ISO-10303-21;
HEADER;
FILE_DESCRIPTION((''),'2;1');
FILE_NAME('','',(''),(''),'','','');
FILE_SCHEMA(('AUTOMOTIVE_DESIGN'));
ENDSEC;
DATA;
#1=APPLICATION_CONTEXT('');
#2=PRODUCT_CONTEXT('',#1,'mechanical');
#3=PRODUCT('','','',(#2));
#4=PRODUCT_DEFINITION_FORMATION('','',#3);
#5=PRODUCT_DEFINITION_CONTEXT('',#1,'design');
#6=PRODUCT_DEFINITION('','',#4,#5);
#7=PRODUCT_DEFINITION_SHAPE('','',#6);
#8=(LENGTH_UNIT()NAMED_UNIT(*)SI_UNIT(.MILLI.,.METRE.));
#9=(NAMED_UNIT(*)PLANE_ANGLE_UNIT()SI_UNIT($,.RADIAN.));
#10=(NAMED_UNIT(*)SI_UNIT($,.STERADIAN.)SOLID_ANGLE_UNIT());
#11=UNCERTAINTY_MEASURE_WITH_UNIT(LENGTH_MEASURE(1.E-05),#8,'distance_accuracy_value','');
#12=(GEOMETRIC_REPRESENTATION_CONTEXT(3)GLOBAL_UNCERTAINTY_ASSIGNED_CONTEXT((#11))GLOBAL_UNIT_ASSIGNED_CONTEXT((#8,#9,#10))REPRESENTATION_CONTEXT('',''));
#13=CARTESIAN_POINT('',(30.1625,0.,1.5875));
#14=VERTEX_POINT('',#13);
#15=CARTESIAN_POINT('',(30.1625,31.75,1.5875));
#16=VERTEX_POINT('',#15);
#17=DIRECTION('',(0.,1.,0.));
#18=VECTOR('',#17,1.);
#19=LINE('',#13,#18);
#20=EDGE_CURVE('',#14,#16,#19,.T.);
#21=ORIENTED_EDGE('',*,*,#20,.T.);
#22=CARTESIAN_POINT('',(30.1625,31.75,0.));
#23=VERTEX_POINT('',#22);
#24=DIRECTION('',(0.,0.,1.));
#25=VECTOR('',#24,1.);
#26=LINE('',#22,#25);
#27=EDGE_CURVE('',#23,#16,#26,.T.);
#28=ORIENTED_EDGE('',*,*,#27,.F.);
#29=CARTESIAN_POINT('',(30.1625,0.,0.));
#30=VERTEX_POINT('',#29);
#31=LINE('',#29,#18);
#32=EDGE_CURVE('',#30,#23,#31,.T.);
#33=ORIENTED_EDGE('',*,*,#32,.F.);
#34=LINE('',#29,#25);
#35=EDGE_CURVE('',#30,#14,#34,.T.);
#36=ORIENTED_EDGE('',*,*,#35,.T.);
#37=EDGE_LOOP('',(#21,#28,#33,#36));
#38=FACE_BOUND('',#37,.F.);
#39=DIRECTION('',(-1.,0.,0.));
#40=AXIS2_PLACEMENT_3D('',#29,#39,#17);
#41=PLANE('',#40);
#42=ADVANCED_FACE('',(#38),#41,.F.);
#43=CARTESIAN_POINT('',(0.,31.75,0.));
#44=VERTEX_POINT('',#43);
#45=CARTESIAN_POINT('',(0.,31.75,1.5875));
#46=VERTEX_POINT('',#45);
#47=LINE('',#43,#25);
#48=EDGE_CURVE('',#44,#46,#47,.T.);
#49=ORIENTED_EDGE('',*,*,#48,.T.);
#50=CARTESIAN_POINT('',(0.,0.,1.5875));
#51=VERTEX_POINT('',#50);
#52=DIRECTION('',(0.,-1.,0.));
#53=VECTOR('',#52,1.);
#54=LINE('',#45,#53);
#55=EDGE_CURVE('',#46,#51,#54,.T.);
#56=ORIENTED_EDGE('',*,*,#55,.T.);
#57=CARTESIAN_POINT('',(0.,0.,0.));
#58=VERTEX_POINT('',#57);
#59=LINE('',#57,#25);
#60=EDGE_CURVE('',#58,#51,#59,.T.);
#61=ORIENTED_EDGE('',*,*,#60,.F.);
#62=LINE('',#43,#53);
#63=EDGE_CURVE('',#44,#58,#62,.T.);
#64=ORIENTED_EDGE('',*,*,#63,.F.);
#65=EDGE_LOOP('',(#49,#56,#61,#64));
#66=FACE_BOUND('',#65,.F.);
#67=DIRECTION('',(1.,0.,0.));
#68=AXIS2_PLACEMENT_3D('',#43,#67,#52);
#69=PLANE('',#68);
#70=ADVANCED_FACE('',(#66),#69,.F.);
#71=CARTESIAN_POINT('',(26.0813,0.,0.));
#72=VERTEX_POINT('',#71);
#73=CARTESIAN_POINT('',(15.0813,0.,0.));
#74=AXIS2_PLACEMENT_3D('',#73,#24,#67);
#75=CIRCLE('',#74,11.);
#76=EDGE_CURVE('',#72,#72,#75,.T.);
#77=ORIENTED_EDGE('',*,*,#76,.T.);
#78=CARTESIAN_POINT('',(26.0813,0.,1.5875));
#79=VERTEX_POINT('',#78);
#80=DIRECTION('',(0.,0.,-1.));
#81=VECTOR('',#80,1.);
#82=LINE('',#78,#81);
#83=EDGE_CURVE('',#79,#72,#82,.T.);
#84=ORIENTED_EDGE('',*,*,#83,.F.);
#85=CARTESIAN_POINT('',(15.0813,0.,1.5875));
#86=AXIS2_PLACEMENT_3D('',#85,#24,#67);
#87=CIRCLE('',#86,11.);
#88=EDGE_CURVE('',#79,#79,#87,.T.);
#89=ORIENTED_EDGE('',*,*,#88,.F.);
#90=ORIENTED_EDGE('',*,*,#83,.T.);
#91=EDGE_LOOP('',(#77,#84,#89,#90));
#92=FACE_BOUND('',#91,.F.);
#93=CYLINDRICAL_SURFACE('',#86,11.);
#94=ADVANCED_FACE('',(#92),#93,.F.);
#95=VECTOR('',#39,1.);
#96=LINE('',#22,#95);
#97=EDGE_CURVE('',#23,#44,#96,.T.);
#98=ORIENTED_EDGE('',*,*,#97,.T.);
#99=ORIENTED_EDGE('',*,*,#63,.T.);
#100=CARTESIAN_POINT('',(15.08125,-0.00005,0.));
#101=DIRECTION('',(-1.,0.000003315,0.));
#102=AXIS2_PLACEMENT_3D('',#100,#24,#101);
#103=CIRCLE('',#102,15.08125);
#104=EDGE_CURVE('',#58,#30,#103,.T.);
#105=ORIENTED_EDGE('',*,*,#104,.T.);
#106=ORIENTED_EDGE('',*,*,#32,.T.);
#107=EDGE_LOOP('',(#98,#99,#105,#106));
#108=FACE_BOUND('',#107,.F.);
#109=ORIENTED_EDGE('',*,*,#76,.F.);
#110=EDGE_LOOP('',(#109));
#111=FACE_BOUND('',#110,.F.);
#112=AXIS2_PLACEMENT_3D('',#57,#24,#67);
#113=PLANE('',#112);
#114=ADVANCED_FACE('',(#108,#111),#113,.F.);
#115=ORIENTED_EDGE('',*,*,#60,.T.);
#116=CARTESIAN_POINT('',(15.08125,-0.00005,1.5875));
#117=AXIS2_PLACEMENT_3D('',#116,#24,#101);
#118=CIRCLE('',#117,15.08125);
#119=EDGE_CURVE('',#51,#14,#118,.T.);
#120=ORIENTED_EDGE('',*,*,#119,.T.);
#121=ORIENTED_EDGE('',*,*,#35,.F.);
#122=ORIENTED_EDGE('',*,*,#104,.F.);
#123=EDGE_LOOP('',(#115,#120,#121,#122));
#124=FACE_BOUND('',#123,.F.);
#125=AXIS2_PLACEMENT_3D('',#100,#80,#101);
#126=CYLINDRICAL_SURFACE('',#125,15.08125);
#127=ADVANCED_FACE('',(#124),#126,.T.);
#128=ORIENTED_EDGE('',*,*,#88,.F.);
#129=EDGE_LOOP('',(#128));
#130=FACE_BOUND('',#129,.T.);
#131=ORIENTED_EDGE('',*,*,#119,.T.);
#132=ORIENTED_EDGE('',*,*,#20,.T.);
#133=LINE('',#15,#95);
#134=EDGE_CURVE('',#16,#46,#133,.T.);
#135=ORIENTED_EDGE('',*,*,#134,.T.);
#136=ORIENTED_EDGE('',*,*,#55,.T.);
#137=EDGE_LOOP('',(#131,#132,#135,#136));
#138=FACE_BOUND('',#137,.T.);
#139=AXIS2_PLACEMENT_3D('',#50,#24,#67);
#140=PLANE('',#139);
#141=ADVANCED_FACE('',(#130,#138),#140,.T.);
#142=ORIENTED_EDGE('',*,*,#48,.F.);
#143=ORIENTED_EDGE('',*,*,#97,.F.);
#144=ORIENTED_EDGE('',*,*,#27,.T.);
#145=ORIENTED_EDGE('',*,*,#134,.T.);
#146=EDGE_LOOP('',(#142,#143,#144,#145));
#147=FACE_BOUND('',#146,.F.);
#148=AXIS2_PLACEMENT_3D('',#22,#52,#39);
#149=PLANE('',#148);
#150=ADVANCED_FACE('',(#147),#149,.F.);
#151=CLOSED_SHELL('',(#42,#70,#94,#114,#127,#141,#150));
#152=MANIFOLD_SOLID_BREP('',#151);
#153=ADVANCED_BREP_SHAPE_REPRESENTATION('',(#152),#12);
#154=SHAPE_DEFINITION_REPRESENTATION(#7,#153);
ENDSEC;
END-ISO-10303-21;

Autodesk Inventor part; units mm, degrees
ref_plane "YZ Plane" through (0, 0, 0) normal (1, 0, 0) x (0, 1, 0)
ref_plane "XZ Plane" through (0, 0, 0) normal (0, 1, 0) x (-1, 0, 0)
ref_plane "XY Plane" through (0, 0, 0) normal (0, 0, 1) x (1, 0, 0)
sketch "Sketch1" plane through (0, 0, 0) normal (0, 0, 1) x (1, 0, 0)
  line L0 (30.1625, 0) -> (30.1625, 31.75)
  line L1 (30.1625, 31.75) -> (0, 31.75)
  line L2 (0, 31.75) -> (0, 0)
  arc A0 (0, 0) -> (30.1625, 0) centre (15.0813, 0) ccw
  dimension "d34" = 30.1625
  dimension "d35" = 31.75
extrude "Extrusion6" add sketch "Sketch1" along normal blind 1.5875
sketch "Sketch9" plane through (0, 0, 1.5875) normal (0, 0, 1) x (1, 0, 0)
  arc A0 (0, 0) -> (30.1625, 0) centre (15.0813, 0) ccw projected
  circle A1 centre (15.0813, 0) radius 11
  dimension "d38" = 22
extrude "Extrusion7" cut sketch "Sketch9" against normal through all
properties part number "Blank Button Lable"
